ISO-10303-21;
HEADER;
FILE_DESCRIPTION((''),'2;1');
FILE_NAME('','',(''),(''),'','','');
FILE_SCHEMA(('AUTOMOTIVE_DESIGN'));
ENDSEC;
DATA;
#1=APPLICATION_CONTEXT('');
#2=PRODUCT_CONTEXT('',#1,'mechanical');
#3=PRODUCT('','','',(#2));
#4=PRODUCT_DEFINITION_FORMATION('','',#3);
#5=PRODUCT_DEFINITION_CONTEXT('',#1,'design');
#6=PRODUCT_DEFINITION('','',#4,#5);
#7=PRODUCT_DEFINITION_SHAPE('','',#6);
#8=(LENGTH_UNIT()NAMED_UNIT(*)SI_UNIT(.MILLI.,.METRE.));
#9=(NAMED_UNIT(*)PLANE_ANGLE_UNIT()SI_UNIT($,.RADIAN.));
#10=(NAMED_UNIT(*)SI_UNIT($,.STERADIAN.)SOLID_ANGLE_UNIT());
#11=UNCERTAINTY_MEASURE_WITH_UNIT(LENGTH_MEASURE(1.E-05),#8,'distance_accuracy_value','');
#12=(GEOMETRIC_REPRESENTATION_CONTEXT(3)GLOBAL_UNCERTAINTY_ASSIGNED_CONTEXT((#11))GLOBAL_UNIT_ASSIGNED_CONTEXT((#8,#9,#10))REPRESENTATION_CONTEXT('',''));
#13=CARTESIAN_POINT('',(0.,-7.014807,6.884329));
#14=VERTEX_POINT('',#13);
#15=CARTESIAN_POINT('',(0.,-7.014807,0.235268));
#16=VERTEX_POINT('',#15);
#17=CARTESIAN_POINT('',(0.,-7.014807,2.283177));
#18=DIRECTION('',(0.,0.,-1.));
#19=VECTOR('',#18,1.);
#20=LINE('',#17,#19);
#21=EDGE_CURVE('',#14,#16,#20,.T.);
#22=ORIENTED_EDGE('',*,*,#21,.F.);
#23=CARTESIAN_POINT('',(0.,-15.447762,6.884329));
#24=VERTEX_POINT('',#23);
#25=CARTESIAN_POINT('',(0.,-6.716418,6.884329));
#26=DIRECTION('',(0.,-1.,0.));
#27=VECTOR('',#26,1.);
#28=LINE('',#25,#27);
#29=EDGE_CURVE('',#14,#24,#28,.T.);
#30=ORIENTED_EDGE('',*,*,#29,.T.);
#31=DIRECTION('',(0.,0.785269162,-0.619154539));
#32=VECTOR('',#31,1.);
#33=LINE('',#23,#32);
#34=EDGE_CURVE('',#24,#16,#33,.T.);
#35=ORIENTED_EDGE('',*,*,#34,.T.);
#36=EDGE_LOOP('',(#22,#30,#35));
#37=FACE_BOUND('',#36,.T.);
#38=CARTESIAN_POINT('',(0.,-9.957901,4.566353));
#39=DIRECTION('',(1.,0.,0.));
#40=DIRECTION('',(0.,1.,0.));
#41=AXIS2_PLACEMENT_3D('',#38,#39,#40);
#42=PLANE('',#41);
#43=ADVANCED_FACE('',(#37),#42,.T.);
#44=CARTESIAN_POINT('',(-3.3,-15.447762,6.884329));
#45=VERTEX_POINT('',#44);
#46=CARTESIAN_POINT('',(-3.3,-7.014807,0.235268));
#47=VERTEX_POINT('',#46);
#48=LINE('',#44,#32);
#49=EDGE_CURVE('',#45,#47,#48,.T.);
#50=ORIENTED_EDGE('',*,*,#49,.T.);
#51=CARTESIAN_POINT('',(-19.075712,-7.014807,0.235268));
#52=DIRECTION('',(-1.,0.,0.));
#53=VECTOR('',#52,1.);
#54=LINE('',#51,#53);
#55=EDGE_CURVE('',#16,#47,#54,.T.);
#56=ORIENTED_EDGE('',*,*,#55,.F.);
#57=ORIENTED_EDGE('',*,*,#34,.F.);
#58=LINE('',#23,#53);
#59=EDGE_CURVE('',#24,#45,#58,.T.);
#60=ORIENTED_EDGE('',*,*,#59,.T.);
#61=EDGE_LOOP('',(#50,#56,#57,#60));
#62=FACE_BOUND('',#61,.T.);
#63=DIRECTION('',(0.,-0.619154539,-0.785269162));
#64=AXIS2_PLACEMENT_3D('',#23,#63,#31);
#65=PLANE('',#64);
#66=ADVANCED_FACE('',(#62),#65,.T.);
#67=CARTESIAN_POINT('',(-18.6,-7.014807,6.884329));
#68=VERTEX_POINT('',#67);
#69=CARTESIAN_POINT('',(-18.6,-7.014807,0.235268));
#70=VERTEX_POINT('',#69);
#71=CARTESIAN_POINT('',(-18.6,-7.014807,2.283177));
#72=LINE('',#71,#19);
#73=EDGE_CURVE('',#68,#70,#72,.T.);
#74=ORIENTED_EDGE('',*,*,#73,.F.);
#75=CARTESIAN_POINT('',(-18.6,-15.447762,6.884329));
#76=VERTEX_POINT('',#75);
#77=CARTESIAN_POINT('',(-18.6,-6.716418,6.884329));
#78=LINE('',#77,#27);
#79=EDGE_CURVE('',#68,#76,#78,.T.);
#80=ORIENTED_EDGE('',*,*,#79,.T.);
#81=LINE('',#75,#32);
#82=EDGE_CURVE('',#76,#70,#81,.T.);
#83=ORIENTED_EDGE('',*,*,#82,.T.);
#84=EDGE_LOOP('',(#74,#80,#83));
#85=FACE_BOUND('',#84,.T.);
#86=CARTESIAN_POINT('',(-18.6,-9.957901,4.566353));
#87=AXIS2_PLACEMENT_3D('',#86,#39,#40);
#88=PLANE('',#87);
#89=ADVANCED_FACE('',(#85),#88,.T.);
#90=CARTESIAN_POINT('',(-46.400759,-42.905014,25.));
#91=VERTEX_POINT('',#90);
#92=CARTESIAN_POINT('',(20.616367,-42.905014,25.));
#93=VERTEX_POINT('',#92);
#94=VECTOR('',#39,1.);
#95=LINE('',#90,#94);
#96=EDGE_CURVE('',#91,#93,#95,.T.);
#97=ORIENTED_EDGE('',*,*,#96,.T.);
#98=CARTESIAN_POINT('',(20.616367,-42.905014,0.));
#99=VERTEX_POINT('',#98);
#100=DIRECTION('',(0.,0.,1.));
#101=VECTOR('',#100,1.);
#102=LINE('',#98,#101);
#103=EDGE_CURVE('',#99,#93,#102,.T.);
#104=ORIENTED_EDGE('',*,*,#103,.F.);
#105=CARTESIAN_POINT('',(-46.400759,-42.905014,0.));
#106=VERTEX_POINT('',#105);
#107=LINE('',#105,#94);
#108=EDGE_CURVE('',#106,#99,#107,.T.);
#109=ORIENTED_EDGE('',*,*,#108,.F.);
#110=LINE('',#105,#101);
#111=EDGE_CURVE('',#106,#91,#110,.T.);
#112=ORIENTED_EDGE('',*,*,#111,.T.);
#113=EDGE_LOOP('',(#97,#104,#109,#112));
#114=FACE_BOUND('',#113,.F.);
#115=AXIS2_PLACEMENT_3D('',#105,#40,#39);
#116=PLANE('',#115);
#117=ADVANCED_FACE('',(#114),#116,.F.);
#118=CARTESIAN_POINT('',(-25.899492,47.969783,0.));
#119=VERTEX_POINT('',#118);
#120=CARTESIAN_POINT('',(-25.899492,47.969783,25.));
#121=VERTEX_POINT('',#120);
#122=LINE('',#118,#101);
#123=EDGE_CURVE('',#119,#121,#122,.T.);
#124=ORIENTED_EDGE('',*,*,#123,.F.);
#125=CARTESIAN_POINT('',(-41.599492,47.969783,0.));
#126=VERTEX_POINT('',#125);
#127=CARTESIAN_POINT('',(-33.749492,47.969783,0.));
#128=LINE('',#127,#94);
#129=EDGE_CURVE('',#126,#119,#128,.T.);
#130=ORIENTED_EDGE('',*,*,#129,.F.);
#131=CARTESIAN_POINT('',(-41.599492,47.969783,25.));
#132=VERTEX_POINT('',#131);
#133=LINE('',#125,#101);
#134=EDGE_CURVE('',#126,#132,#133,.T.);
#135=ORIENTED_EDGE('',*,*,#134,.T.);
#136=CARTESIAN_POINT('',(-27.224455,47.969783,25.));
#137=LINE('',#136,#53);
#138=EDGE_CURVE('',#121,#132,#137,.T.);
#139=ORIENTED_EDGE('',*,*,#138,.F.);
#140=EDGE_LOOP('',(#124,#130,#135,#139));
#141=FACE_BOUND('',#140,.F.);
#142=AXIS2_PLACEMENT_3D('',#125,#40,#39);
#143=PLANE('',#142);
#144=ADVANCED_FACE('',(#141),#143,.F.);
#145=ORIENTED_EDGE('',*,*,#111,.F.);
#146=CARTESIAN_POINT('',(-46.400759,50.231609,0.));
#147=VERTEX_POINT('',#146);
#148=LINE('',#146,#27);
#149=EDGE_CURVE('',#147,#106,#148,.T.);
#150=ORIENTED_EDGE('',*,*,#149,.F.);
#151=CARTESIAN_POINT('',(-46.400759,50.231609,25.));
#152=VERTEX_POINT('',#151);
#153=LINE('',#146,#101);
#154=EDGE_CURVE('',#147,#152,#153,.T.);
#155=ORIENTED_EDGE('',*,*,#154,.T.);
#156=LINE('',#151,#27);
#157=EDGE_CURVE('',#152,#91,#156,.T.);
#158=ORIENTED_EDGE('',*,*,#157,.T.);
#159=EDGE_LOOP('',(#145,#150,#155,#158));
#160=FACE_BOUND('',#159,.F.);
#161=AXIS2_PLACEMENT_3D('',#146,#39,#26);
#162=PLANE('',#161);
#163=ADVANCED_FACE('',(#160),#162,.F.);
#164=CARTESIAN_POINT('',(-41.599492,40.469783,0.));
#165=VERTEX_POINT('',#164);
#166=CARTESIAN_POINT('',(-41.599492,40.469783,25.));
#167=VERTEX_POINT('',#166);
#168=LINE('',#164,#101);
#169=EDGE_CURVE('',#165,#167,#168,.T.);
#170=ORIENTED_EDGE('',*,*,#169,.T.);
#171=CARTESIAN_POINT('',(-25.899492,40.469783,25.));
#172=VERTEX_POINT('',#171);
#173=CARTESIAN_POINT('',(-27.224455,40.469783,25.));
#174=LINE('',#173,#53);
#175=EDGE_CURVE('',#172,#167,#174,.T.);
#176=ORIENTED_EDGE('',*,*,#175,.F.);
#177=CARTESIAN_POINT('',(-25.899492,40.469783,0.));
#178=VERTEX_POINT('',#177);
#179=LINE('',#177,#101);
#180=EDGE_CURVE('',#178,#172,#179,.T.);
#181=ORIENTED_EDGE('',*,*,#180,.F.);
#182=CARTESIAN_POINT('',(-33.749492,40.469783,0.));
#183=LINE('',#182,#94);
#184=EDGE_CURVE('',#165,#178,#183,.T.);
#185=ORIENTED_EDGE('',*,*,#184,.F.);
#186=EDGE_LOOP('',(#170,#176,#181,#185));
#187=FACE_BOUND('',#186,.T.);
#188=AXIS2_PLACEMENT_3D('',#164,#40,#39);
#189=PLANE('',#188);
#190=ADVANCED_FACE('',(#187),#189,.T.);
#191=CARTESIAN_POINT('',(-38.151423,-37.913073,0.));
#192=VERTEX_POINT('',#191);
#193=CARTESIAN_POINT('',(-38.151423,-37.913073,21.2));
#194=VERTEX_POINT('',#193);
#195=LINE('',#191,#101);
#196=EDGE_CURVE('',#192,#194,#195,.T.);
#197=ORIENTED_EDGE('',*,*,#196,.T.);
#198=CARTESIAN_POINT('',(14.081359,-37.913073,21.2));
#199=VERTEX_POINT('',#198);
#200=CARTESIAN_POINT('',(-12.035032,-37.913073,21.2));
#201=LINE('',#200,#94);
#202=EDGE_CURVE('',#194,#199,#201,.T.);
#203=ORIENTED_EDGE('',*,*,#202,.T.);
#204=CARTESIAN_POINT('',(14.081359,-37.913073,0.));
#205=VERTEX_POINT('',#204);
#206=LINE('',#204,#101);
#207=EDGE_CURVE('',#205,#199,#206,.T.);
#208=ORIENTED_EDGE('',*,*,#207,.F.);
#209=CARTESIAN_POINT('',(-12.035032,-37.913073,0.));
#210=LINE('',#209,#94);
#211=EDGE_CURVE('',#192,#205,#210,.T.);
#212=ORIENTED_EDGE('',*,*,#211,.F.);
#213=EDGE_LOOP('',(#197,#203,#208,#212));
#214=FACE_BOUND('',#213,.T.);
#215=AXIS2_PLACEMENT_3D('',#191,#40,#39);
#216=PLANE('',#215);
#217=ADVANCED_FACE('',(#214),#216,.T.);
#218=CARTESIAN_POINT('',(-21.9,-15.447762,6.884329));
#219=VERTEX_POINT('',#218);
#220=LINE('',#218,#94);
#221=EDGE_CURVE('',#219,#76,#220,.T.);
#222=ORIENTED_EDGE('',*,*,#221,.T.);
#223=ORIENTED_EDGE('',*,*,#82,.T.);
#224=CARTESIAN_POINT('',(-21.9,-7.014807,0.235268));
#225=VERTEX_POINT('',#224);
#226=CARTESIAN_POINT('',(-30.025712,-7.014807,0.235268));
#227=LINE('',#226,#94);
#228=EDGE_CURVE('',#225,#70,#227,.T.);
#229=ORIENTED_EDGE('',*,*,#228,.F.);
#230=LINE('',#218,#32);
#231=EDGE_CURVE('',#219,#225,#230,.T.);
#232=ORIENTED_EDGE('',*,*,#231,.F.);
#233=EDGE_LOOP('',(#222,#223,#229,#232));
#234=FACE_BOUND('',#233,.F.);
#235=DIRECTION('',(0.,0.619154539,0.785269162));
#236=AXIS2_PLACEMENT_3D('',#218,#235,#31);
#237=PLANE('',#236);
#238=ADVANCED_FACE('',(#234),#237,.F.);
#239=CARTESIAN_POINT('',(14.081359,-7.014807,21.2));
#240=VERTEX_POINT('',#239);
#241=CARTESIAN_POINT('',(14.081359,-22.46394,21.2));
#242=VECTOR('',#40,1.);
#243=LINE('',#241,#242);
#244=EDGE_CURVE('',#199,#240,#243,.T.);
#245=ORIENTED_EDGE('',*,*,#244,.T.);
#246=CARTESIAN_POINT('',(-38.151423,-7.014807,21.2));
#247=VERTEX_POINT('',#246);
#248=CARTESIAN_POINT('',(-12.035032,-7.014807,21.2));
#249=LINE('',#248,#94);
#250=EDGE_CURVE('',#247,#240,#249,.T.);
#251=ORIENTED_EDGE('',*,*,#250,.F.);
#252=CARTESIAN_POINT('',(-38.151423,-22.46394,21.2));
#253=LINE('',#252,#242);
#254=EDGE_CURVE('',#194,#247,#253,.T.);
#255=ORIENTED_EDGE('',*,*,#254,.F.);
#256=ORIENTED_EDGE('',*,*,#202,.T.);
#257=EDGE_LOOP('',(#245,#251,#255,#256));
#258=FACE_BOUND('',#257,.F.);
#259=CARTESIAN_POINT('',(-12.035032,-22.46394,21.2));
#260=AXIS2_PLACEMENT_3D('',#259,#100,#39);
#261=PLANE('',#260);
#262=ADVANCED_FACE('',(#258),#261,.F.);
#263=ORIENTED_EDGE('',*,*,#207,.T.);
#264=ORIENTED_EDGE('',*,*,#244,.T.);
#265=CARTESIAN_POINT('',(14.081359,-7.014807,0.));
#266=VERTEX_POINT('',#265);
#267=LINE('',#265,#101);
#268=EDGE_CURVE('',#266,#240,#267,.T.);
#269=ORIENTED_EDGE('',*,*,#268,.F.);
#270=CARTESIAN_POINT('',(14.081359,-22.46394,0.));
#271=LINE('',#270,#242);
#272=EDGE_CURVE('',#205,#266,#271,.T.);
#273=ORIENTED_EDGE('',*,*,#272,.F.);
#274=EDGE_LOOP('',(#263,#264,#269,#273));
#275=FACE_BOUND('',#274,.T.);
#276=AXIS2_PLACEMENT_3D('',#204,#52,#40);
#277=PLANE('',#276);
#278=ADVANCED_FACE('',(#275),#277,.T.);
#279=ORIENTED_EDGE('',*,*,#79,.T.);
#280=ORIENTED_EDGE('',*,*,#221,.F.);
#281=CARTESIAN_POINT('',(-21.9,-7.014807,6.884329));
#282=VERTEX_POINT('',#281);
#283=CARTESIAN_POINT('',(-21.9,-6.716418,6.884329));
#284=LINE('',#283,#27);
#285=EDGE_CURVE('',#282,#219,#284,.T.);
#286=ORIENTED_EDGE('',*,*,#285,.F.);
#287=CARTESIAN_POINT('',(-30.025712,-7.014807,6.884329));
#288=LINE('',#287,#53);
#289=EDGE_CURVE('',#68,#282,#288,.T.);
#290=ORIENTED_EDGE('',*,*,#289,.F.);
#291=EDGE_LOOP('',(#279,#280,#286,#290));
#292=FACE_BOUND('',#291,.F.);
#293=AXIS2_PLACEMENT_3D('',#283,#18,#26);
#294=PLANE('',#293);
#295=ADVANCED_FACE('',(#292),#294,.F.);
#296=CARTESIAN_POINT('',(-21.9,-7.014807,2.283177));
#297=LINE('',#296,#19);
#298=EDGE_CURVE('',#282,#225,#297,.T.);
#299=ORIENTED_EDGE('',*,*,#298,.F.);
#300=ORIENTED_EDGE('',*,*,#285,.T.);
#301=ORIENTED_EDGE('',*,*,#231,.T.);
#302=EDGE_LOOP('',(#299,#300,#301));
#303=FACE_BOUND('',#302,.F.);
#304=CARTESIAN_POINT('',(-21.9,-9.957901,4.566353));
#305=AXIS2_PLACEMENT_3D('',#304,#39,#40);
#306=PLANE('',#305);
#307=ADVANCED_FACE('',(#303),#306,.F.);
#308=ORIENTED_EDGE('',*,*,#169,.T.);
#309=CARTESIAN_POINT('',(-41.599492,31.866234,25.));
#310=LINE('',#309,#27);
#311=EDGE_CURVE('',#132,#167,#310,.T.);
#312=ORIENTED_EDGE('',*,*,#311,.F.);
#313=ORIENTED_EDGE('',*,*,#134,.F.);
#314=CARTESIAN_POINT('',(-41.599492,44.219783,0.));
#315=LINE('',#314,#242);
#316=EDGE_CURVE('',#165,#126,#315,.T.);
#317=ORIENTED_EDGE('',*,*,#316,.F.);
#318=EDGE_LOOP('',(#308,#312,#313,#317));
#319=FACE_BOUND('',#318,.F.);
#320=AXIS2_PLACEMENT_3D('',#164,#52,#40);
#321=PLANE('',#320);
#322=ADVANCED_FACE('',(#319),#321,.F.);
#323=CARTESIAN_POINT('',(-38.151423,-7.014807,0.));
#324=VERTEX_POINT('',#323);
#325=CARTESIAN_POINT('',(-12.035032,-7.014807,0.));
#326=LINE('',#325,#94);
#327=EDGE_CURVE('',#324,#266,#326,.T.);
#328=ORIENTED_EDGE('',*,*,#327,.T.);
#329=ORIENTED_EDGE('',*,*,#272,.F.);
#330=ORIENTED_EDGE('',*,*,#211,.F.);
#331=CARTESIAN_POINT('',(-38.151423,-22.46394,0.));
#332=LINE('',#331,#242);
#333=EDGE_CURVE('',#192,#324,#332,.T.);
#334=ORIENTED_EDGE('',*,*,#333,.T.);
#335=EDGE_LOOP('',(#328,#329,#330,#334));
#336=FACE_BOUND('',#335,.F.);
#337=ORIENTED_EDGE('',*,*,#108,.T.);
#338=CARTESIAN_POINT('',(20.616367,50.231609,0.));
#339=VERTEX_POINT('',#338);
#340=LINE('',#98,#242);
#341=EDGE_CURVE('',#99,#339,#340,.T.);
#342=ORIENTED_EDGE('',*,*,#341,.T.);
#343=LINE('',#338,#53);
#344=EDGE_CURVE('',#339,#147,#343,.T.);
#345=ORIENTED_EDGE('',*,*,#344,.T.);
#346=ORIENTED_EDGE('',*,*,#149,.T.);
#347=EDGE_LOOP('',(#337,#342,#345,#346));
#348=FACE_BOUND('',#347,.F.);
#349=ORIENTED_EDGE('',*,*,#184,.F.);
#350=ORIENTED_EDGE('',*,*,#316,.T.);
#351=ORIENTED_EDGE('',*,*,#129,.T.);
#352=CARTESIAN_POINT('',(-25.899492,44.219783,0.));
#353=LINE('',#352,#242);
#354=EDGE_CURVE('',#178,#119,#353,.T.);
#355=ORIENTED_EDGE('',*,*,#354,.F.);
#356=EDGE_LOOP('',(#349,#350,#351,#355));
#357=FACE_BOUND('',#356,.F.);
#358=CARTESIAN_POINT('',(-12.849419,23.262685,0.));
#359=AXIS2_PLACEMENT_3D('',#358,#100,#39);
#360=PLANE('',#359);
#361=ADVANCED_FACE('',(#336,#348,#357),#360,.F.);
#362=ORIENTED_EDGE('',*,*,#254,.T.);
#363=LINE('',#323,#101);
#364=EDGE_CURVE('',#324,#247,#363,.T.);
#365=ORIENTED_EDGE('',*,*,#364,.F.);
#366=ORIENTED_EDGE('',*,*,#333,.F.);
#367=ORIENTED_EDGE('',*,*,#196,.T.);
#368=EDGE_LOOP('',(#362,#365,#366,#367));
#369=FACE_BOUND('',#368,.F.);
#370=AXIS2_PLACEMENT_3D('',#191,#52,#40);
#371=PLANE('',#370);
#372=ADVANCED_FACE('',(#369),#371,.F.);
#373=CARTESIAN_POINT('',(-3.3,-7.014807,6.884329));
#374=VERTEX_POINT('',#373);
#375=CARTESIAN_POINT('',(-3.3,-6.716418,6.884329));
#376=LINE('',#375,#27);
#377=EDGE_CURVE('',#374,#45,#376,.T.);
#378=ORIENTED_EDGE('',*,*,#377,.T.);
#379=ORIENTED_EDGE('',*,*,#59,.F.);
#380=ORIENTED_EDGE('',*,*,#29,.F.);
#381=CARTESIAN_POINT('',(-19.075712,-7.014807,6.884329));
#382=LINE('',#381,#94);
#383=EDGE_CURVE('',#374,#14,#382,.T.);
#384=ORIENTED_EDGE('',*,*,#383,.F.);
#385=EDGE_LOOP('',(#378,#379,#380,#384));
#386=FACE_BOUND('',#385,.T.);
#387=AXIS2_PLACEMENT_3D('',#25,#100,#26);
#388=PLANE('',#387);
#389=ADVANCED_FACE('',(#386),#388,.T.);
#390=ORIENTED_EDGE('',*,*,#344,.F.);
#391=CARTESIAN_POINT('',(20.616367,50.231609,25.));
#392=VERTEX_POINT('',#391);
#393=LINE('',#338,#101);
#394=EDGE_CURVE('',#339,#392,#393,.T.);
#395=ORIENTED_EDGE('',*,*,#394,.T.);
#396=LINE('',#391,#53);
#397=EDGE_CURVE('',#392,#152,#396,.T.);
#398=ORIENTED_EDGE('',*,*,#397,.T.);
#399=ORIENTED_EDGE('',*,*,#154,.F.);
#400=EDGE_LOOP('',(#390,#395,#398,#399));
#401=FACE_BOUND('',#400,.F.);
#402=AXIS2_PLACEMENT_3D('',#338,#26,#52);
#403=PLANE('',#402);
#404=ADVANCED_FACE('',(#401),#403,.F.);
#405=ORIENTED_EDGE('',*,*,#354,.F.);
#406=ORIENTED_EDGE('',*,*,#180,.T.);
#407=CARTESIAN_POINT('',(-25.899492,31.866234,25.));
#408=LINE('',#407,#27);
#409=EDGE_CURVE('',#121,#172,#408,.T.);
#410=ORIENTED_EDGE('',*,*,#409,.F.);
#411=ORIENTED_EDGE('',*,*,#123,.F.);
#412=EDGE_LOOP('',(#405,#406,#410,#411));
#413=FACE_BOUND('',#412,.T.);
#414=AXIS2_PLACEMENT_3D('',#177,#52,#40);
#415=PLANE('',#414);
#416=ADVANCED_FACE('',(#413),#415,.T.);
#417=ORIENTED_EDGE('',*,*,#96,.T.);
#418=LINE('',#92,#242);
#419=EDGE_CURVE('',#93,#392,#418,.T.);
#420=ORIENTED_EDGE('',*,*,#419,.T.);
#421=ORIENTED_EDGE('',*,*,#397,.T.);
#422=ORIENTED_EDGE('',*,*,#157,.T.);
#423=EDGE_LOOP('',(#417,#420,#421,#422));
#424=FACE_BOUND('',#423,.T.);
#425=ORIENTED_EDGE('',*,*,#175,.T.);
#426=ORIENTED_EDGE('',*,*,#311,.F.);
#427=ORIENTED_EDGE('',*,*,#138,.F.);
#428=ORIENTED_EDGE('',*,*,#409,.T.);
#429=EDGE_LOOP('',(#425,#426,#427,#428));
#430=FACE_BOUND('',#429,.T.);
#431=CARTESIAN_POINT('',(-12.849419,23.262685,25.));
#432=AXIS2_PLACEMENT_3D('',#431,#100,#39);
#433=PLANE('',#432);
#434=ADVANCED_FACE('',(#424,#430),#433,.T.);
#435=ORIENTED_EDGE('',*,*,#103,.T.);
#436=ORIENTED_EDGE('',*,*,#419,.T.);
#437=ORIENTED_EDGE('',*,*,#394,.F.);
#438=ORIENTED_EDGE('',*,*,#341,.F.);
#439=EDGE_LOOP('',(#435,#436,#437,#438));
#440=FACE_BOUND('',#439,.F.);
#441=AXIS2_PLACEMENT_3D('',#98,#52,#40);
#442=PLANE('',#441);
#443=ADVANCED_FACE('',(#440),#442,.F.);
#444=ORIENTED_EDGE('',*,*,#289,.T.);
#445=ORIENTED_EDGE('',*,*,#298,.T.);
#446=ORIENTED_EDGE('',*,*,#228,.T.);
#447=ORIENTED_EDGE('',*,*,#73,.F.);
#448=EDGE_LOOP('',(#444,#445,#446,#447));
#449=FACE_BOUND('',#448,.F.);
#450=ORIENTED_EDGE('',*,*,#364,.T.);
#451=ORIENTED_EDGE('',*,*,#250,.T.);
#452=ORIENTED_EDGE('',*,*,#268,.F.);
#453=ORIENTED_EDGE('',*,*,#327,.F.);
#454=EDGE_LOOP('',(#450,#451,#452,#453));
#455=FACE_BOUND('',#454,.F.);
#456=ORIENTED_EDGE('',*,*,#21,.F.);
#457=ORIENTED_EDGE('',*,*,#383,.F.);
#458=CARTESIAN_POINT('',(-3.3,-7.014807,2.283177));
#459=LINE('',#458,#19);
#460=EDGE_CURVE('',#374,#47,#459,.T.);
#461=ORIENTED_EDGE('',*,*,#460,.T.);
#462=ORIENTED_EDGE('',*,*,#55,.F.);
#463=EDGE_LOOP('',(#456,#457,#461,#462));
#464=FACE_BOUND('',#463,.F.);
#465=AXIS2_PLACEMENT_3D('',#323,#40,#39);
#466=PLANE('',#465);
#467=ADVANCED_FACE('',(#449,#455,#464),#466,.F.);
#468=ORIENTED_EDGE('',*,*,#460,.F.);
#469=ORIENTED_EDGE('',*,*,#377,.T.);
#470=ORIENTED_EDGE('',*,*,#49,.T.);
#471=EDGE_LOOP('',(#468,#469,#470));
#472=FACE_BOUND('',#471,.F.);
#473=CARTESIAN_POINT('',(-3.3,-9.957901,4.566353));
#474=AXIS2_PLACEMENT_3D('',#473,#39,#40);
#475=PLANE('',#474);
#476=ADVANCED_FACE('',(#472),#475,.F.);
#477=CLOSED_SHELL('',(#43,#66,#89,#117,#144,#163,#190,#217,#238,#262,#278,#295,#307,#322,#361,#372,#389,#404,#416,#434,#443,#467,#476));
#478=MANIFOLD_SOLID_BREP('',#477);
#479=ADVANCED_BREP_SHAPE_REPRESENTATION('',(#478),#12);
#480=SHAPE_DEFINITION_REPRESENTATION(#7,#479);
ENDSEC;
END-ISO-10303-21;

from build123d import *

# Parameters (mm, degrees)
F2_DEPTH  = 25
F1_W      = 15.7
F1_H      = 7.5
F3_DEPTH  = 73
F4_W      = 52.232783
F4_H      = 30.898266
F5_DEPTH  = 21.2
F7_DEPTH  = 3.3
F10_DEPTH = 3.3


with BuildPart() as f2:
    # F0 (on Top) → F2 (new body)
    with BuildSketch(Plane.XY):
        Polygon((20.616367, 50.231609), (-46.400759, 50.231609), (-46.400759, -3.551471), (20.616367, -3.860294), align=None)
        Polygon((20.616367, -3.860294), (-46.400759, -3.551471), (-46.400759, -42.905014), (20.616367, -42.905014), align=None)
    extrude(amount=F2_DEPTH)

    # F1 (on Top) → F3 (cut)
    with BuildSketch(Plane.XY):
        with Locations((-33.749492, 44.219783)):
            Rectangle(F1_W, F1_H)
    extrude(amount=F3_DEPTH, mode=Mode.SUBTRACT)

    # F4 (on Top) → F5 (cut)
    with BuildSketch(Plane.XY):
        with Locations((-12.035032, -22.46394)):
            Rectangle(F4_W, F4_H)
    extrude(amount=F5_DEPTH, mode=Mode.SUBTRACT)

    # F6 (on Right) → F7 (join)
    with BuildSketch(Plane.YZ):
        Polygon((-15.447762, 6.884329), (-6.716418, 0), (-6.716418, 6.884329), align=None)
    extrude(amount=-F7_DEPTH)

    # F9 (on offset) → F10 (join)
    with BuildSketch(Plane.YZ.offset(-21.9)):
        Polygon((-15.447762, 6.884329), (-6.716418, 0), (-6.716418, 6.884329), align=None)
    extrude(amount=F10_DEPTH)


solid = f2.part
